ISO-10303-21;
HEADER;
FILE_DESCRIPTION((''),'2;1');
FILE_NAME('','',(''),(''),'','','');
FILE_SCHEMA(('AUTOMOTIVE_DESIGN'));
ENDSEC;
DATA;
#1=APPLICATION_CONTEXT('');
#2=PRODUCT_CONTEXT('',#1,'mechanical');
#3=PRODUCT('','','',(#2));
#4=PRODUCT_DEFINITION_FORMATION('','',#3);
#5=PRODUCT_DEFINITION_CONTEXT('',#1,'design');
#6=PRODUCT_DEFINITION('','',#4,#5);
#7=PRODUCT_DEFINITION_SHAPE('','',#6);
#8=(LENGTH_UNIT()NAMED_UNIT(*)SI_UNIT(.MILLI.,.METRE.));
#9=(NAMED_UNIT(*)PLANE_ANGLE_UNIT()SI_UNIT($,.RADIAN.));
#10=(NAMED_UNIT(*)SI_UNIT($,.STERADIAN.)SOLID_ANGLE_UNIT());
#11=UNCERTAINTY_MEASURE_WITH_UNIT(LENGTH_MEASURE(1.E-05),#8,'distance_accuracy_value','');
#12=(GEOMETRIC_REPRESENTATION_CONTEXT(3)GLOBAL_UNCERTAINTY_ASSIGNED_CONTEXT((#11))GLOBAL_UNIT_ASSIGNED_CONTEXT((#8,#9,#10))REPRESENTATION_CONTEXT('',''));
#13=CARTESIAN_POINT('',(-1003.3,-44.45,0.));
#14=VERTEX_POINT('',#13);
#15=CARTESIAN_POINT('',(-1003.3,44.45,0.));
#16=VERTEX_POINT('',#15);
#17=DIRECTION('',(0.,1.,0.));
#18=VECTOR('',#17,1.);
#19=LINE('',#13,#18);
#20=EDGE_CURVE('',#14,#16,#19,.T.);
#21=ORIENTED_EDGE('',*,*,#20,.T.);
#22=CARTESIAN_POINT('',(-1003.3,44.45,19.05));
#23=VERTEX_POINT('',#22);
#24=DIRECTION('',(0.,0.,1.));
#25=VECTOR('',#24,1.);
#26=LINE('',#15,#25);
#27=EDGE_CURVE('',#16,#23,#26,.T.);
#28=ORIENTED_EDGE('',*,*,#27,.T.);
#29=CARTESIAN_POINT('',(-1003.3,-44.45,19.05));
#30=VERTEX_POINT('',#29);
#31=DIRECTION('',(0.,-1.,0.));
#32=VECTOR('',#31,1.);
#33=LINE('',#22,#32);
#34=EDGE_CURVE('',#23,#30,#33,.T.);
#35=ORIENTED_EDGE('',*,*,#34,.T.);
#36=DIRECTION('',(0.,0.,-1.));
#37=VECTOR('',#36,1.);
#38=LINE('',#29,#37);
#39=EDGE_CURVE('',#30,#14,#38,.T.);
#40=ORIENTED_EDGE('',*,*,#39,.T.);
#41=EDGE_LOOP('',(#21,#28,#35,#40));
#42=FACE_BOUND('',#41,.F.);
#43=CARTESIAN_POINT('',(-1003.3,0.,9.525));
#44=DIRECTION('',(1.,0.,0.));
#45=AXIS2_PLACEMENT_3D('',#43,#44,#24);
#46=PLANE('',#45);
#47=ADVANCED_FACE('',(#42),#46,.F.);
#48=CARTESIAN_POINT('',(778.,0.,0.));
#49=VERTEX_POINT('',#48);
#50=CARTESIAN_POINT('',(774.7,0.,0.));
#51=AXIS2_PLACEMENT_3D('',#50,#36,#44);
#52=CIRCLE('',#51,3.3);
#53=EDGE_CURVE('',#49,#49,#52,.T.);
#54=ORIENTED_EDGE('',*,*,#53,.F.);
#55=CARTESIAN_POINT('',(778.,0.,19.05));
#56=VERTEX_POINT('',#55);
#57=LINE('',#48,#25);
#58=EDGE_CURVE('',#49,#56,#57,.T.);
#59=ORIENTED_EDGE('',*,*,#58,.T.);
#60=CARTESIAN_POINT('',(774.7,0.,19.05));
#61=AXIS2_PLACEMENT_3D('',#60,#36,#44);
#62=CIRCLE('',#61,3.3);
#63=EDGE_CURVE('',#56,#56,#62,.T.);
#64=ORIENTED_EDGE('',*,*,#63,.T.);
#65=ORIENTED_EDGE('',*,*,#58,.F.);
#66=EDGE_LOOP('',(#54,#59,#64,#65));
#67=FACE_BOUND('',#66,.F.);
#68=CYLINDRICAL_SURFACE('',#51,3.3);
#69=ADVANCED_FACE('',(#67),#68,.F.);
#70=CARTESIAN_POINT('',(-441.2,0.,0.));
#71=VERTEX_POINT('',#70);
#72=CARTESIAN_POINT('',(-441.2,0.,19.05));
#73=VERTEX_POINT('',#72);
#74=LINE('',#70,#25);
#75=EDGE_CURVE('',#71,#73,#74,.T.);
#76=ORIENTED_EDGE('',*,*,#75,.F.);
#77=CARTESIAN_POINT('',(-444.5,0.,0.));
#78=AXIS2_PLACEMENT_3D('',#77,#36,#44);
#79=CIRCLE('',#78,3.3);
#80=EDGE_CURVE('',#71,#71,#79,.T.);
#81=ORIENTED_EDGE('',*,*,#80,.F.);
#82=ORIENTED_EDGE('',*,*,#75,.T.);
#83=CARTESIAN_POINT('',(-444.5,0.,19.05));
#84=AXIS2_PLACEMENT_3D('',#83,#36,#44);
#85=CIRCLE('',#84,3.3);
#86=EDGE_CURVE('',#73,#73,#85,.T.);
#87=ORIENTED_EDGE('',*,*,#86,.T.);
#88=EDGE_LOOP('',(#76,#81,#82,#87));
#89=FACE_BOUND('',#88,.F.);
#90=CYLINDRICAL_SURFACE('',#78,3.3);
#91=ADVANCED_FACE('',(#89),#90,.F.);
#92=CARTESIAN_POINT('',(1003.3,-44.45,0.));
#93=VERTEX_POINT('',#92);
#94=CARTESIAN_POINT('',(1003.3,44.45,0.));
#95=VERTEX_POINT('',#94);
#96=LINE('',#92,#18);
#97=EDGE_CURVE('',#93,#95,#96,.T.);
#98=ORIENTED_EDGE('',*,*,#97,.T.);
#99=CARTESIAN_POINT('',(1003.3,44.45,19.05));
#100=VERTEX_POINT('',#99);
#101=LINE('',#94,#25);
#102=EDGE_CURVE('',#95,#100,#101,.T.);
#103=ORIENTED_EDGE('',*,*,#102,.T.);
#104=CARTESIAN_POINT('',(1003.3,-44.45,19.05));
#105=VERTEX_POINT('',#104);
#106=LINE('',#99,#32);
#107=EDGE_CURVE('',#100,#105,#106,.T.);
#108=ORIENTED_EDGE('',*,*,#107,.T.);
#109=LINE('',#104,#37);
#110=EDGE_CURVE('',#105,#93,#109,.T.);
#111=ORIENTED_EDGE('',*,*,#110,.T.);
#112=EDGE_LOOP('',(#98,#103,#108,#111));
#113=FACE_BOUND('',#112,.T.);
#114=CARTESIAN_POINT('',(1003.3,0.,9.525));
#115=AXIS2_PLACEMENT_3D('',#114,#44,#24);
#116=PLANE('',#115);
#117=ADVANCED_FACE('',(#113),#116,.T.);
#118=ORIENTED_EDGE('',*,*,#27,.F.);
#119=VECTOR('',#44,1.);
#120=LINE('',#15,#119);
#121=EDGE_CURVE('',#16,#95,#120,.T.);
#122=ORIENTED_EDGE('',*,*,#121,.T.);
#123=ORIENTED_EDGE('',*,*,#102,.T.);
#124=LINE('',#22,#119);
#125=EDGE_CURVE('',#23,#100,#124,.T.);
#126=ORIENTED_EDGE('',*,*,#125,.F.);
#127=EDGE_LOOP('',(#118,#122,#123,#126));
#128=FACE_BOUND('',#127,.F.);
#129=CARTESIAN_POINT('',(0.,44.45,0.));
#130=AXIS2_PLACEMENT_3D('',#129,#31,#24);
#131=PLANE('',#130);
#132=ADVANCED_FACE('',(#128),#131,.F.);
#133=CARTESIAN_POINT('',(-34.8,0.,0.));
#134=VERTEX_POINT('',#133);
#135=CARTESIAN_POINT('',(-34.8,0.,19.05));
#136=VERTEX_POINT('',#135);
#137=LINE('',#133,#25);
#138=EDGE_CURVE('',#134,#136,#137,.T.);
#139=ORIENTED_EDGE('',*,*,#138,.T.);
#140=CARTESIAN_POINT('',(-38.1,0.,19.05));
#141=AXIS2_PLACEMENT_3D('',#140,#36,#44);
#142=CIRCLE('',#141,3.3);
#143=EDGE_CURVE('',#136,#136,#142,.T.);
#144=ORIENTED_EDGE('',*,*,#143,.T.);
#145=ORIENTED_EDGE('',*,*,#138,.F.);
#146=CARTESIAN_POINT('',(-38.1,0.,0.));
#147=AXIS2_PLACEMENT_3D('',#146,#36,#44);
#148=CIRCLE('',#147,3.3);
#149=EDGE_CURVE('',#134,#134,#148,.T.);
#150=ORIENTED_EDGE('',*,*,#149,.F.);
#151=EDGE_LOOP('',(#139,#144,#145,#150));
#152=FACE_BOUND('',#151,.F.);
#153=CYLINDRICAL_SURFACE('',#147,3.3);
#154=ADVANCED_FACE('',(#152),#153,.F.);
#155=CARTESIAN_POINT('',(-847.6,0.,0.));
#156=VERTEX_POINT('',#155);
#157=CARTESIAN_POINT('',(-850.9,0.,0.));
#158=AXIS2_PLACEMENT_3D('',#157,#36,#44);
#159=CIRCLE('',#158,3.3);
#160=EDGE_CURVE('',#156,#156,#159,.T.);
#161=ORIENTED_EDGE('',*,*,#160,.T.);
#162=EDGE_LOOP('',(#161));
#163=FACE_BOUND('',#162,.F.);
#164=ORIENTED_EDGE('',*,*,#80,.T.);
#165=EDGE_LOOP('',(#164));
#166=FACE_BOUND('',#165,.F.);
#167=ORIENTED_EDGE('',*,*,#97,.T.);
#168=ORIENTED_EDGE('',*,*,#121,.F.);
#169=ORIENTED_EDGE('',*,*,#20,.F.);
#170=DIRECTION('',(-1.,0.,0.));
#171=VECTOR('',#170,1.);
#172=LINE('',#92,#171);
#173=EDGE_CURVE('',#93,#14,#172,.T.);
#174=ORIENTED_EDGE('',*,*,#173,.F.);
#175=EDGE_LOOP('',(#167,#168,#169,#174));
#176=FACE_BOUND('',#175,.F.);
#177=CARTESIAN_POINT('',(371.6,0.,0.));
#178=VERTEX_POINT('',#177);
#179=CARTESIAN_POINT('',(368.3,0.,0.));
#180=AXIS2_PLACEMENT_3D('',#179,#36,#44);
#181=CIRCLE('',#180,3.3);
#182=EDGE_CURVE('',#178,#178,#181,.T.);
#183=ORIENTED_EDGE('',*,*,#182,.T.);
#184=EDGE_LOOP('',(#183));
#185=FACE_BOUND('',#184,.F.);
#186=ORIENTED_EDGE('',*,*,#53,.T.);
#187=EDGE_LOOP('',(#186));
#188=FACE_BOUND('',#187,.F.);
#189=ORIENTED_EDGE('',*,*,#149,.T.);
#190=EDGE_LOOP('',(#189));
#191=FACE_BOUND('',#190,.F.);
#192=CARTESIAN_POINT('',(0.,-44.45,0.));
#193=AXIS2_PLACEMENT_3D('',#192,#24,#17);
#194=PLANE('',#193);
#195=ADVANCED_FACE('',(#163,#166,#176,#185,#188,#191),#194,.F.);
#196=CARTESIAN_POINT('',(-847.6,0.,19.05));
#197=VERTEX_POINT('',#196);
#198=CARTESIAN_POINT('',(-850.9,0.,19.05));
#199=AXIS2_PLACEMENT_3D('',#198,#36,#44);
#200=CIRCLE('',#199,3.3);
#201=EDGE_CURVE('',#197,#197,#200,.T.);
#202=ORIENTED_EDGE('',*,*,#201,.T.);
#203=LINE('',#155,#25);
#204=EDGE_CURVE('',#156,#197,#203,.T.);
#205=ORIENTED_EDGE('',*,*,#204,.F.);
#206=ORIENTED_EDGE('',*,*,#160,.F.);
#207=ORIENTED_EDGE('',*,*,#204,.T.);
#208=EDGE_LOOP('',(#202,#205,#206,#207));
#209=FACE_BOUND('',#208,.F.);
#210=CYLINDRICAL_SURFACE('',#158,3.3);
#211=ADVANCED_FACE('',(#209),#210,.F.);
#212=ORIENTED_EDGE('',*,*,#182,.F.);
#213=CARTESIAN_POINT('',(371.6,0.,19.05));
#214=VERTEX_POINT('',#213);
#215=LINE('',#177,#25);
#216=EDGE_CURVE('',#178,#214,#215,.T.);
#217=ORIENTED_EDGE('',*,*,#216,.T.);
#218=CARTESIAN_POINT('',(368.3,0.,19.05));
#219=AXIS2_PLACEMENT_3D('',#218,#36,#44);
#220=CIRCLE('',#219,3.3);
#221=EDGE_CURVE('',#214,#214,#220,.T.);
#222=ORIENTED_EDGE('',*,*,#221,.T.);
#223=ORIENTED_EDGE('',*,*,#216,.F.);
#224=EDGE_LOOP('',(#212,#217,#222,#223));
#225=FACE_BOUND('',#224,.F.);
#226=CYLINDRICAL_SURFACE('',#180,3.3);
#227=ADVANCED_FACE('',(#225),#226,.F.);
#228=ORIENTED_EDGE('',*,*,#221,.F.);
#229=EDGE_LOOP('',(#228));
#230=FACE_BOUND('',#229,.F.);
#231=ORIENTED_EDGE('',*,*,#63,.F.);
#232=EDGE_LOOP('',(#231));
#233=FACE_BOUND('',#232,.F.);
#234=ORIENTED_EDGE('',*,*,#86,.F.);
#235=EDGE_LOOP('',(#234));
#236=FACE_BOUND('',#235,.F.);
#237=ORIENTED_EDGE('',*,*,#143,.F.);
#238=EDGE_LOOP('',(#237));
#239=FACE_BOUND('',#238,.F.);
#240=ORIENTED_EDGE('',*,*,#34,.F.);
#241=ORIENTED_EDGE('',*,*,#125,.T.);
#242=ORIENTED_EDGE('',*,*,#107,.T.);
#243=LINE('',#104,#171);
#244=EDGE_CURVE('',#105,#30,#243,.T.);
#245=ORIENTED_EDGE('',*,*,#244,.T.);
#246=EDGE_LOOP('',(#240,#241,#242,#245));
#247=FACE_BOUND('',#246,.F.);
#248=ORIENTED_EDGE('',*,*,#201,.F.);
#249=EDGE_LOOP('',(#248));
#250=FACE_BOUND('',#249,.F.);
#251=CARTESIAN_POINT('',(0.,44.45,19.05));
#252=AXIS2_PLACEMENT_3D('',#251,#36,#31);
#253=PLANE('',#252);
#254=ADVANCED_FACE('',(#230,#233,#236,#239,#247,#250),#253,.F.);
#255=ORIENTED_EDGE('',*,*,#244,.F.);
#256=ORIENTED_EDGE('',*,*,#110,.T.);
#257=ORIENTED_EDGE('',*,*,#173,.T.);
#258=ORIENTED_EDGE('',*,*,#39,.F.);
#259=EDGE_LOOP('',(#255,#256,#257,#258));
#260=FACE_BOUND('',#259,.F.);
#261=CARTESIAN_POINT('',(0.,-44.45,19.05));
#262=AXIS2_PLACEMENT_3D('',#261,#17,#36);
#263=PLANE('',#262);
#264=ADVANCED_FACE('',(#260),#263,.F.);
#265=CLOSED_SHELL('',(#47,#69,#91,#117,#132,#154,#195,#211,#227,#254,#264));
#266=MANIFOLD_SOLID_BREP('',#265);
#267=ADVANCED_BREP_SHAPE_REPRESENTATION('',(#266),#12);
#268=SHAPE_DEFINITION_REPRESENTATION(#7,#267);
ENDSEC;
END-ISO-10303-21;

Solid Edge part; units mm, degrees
sketch "Sketch1" plane through (0, 0, 0) normal (1, 0, 0) x (0, 1, 0)
  line L0 (-44.45, 0) -> (44.45, 0)
  line L1 (44.45, 0) -> (44.45, 19.05)
  line L2 (44.45, 19.05) -> (-44.45, 19.05)
  line L3 (-44.45, 19.05) -> (-44.45, 0)
  dimension "D1" = 88.9
  dimension "D2" = 19.05
extrude "Protrusion1" add sketch "Sketch1" along normal mid plane 2006.6
sketch "Sketch2" plane through (0, 0, 0) normal (0, 0, -1) x (1, 0, 0)
  circle A0 centre (-850.9, 0) radius 3.3
  dimension "D1" = 6.6
  dimension "D2" = 152.4
extrude "Cutout1" cut sketch "Sketch2" against normal through all
pattern_linear "Pattern1" count 5 spacing 406.4 along (1, 0, 0) of "Cutout1"
